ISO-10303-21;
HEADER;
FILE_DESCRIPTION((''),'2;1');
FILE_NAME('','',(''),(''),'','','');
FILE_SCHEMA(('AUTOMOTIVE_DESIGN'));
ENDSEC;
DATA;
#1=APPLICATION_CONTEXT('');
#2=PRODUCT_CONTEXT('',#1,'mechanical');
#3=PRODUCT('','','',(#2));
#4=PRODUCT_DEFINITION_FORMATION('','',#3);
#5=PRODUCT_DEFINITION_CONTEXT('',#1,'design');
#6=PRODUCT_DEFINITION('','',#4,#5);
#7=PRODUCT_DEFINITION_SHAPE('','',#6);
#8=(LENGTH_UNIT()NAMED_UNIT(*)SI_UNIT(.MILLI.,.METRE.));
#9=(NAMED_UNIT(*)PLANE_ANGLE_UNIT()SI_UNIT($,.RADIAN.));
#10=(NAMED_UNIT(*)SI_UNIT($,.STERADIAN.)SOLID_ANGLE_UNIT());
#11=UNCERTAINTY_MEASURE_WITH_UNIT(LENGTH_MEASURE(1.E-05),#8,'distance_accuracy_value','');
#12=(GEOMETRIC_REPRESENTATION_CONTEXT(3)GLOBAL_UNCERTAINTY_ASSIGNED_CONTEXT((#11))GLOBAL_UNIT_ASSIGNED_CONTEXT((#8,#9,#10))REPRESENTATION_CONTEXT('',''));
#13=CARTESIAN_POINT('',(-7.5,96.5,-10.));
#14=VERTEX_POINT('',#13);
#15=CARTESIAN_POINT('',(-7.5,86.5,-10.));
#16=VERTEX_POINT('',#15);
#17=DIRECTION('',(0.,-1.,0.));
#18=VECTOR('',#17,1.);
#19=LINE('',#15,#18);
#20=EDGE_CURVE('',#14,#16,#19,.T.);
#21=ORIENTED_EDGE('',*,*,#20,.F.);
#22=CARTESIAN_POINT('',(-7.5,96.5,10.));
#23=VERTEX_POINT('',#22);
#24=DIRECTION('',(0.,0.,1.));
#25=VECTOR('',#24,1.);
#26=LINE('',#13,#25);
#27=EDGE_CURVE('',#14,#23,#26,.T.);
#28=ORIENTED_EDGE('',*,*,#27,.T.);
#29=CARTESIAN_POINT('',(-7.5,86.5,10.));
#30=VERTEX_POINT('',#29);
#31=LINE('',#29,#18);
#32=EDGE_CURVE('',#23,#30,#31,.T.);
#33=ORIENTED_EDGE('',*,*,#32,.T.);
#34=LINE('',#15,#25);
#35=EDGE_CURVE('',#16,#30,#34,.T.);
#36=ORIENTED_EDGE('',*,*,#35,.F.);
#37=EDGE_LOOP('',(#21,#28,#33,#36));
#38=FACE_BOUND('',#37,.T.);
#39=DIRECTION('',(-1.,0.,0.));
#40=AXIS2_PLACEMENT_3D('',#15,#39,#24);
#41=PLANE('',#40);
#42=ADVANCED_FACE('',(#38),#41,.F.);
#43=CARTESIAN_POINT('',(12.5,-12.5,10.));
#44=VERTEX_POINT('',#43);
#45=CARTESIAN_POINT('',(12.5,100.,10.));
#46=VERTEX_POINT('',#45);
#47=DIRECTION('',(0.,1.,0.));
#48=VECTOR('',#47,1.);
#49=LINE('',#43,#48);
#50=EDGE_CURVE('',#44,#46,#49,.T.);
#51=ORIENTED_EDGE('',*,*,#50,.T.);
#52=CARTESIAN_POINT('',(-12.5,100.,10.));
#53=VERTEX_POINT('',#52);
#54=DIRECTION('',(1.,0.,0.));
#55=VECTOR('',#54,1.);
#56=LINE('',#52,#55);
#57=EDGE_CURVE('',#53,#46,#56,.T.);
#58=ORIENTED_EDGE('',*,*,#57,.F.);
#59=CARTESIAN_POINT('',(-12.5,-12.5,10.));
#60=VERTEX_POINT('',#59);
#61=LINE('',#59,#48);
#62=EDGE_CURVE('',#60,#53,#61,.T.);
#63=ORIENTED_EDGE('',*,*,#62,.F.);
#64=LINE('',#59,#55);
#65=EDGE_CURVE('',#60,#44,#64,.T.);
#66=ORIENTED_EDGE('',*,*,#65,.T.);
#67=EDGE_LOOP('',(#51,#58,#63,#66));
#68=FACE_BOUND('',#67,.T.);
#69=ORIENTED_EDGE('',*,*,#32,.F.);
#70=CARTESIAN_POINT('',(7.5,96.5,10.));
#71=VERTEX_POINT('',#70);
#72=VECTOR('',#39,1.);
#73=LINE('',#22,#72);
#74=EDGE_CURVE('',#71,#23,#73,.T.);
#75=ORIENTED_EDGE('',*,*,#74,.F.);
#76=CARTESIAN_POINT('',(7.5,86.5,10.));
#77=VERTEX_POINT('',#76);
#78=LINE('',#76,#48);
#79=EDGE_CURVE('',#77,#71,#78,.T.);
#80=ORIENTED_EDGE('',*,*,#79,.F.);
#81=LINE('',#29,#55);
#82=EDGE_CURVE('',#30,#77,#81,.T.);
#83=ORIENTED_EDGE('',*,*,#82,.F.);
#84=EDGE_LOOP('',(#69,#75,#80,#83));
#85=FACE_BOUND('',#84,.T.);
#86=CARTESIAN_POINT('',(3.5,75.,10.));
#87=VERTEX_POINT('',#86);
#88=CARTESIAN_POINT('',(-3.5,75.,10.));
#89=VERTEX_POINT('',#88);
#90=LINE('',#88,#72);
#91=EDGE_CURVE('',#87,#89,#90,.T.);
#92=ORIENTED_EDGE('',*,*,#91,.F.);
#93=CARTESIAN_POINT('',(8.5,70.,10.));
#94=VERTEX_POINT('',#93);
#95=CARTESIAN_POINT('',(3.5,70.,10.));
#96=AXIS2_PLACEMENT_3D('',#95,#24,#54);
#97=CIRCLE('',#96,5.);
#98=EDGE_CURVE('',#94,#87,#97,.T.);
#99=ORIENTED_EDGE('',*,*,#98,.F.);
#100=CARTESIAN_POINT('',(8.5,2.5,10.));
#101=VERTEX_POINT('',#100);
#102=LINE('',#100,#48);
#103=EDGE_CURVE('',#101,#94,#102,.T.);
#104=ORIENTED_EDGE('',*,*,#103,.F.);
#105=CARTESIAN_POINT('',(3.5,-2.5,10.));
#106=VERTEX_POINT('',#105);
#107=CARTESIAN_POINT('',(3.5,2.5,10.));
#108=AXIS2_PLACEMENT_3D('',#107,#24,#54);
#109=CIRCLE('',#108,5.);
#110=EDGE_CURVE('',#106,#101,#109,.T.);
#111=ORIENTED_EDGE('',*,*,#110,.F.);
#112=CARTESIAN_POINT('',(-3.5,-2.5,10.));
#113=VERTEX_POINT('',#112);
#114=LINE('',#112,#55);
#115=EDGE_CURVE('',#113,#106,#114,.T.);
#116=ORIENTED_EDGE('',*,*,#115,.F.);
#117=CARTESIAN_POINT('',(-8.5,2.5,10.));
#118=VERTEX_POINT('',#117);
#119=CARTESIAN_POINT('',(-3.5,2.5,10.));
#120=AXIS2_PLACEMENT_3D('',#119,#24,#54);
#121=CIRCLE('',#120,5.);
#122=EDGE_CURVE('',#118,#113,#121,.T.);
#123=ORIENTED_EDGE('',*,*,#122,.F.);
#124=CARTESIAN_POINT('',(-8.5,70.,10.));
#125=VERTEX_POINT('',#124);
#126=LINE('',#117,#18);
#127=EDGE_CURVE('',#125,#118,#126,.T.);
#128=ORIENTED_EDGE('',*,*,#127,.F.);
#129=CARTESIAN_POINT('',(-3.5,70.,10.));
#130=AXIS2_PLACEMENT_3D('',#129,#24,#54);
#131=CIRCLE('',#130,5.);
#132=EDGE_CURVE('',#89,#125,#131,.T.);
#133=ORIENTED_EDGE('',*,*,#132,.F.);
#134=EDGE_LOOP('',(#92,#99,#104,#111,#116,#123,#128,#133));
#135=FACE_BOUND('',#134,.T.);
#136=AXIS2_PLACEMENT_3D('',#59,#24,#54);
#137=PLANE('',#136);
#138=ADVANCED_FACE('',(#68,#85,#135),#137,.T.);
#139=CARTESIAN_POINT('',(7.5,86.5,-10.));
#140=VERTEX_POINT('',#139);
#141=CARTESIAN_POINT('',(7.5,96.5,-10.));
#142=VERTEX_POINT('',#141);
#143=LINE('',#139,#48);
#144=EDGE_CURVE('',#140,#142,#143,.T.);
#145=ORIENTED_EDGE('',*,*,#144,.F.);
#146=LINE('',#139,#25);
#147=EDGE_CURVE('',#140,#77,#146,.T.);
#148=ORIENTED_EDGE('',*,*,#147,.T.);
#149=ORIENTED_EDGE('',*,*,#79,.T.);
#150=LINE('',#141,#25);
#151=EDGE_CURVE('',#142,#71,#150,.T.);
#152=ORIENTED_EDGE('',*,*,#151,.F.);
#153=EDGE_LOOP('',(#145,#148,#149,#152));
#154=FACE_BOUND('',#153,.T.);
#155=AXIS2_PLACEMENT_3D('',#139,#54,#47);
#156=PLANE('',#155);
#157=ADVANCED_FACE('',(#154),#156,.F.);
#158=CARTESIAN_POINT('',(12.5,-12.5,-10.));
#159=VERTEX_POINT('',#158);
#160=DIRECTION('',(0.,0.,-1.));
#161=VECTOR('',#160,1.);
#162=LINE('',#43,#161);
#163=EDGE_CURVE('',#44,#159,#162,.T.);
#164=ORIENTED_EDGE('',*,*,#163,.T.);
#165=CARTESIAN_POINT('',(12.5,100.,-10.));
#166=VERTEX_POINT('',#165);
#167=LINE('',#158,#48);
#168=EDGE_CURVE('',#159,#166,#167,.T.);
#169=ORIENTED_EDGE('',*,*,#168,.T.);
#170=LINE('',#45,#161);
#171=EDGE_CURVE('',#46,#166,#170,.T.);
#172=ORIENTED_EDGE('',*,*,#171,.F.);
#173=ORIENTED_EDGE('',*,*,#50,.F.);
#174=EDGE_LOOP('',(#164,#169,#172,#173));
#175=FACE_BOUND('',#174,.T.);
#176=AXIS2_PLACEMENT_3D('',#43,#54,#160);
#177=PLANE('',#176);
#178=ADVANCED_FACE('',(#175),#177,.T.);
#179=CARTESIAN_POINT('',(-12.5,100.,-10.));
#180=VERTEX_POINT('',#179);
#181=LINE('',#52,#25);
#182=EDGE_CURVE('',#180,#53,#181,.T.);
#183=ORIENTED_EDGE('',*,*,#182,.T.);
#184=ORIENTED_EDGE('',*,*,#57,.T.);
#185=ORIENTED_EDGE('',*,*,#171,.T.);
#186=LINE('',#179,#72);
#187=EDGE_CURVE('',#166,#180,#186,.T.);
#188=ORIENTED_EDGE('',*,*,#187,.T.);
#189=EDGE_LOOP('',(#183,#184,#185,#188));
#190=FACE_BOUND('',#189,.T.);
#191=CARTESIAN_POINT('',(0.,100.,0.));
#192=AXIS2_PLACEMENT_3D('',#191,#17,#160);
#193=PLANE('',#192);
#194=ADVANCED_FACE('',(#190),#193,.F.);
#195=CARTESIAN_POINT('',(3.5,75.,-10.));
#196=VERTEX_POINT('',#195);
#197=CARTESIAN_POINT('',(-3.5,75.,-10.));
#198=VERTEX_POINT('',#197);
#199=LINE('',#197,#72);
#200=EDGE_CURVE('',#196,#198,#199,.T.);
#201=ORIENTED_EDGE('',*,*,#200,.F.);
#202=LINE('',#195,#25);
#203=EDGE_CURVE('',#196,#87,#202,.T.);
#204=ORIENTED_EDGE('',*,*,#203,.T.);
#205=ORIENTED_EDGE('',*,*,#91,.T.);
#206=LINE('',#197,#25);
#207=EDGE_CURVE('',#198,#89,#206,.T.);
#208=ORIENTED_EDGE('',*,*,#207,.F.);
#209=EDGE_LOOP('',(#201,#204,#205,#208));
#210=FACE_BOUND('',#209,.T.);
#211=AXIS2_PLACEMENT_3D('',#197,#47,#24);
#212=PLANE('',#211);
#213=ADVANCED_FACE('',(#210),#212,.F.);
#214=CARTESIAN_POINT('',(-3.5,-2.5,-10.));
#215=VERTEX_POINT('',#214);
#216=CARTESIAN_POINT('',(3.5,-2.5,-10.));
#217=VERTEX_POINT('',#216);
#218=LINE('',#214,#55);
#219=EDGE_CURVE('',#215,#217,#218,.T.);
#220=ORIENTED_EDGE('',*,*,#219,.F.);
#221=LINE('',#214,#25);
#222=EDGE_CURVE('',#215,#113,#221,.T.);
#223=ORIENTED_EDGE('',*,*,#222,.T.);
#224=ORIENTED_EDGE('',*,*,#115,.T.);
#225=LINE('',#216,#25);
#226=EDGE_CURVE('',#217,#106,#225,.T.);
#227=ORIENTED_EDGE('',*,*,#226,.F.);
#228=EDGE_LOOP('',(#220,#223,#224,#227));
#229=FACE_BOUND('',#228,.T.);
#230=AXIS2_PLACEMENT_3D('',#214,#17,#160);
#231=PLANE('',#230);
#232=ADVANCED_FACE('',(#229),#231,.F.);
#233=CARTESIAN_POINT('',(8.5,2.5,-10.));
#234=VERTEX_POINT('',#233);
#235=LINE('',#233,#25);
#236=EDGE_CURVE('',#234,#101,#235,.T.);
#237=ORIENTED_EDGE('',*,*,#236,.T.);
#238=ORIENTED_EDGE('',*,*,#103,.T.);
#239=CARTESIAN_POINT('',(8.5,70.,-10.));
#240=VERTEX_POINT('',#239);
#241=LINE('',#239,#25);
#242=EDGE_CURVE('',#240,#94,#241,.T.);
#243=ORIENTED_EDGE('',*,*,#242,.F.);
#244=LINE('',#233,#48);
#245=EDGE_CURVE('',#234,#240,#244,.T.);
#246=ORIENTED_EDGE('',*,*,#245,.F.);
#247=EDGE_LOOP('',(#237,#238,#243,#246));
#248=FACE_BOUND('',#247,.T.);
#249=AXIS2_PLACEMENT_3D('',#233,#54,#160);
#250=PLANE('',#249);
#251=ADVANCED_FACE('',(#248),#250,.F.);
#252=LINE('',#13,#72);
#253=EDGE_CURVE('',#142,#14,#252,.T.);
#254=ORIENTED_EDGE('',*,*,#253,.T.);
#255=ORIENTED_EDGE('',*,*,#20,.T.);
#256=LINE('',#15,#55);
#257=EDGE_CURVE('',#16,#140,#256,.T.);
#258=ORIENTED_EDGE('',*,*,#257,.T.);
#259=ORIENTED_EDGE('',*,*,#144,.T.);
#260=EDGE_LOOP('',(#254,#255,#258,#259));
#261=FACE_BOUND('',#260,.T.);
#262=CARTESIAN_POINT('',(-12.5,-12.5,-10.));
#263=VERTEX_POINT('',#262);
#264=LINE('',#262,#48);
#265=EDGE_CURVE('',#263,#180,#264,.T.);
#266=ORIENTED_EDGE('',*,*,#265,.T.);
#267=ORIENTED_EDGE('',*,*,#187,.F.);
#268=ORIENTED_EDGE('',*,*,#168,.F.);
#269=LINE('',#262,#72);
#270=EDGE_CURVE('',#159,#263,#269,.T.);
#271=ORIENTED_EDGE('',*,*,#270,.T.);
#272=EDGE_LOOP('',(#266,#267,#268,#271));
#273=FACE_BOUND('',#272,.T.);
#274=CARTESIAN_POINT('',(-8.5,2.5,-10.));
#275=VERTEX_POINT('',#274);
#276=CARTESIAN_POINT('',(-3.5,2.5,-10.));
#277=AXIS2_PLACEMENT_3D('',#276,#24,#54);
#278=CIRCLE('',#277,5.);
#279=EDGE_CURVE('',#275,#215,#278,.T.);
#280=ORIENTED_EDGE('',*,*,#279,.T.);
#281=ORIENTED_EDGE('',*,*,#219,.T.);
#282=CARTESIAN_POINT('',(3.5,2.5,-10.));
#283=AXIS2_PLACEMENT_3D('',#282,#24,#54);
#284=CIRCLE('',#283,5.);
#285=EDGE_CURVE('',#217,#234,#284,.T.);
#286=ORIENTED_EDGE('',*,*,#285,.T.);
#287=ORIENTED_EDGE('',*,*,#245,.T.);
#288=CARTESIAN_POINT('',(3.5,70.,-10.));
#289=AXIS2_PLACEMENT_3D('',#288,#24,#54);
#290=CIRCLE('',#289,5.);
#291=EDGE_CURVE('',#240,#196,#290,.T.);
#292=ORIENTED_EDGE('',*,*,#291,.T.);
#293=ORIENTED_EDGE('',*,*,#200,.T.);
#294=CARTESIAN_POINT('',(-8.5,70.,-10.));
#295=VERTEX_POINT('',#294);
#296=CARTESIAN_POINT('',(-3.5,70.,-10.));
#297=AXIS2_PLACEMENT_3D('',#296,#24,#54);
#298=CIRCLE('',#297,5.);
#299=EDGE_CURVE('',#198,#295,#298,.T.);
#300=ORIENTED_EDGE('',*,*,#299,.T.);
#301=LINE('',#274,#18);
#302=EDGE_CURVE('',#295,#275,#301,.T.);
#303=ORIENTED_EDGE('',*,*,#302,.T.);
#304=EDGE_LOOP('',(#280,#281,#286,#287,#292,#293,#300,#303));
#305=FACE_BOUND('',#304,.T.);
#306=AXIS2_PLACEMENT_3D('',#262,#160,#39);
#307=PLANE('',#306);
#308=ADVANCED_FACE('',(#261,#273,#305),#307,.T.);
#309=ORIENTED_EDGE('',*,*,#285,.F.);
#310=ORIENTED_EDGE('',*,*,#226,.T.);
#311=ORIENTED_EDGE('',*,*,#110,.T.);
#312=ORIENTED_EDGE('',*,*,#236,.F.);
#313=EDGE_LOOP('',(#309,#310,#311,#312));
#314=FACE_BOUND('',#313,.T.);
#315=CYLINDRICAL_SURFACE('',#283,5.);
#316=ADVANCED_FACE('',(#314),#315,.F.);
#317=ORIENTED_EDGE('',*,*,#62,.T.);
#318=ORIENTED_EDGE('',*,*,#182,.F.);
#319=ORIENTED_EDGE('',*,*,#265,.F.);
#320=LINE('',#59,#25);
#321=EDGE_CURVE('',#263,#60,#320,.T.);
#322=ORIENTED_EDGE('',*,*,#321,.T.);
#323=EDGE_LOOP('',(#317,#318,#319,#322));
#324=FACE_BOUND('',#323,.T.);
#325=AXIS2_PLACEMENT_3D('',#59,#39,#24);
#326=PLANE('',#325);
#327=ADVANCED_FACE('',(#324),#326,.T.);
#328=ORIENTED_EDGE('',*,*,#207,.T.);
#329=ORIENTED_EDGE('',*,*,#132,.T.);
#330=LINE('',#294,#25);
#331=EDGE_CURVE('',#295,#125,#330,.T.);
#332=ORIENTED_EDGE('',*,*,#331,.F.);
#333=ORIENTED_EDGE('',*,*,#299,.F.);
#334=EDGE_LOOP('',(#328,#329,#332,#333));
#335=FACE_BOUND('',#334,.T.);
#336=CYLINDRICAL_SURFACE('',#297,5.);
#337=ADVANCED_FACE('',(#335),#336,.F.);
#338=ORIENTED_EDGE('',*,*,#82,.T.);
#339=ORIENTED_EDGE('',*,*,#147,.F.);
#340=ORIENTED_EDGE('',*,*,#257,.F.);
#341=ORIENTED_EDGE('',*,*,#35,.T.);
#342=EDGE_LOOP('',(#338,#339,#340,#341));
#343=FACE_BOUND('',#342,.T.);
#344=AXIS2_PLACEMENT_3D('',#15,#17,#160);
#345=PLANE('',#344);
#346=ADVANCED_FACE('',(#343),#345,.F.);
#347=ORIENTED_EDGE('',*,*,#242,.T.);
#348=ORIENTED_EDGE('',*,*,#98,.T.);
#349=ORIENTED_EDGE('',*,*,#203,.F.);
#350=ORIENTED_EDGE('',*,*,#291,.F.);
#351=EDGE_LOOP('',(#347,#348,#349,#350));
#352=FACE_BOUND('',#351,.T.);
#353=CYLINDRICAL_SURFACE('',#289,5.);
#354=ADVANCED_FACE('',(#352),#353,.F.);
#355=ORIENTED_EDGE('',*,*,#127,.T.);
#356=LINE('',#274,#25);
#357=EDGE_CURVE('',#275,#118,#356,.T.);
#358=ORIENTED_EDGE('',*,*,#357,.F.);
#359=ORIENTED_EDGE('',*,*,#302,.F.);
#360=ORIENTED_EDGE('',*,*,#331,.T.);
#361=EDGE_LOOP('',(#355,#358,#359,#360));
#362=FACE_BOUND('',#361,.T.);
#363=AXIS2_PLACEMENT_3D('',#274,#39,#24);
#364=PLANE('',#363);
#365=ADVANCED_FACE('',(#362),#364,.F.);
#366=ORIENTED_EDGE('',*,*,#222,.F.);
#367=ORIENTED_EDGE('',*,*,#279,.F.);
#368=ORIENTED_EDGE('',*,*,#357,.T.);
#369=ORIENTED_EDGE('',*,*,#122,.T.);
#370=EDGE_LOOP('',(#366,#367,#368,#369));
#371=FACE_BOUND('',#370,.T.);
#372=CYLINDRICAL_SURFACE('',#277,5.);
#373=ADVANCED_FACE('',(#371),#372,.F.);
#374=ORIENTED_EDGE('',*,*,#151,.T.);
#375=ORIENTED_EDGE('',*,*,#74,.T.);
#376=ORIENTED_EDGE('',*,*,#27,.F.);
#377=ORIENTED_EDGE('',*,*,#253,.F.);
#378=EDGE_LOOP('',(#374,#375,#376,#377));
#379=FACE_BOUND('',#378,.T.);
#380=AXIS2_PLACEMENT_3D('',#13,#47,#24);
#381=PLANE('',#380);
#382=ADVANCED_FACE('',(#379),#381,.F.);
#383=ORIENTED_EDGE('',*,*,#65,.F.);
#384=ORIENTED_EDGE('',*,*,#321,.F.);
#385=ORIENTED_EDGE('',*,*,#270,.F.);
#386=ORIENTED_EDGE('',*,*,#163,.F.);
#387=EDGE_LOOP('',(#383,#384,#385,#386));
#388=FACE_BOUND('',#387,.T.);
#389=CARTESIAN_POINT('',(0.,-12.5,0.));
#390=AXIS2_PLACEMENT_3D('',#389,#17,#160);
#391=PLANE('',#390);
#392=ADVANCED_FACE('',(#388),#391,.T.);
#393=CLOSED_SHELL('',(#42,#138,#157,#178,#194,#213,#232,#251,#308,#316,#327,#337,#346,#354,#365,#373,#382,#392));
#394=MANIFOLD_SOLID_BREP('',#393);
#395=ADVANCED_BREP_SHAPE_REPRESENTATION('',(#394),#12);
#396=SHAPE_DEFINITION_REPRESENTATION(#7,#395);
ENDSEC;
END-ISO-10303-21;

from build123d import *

# Parameters (mm, degrees)
BOSS_EXTRUDE1_DEPTH      = 100
BOSS_EXTRUDE1_DEPTH_BACK = 12.5
SKETCH1_W                = 25
SKETCH1_H                = 20
SKETCH2_W                = 15
SKETCH2_H                = 10
CUT_EXTRUDE1_DEPTH       = 103.74361294
CUT_EXTRUDE2_DEPTH       = 103.74361294


with BuildPart() as part:
    # Sketch1 → Boss-Extrude1 (new, two sides: drawn at the far end of the back side and taken through both)
    with BuildSketch(Plane(origin=(0, 0, 0), x_dir=(1, 0, 0), z_dir=(0, 1, 0)).offset(-BOSS_EXTRUDE1_DEPTH_BACK)):
        Rectangle(SKETCH1_W, SKETCH1_H)
    extrude(amount=BOSS_EXTRUDE1_DEPTH + BOSS_EXTRUDE1_DEPTH_BACK)

    # Sketch2 → Cut-Extrude1 (cut, through all)
    with BuildSketch(Plane.XY.offset(10)):
        with Locations((0, 91.5)):
            Rectangle(SKETCH2_W, SKETCH2_H)
    extrude(amount=-CUT_EXTRUDE1_DEPTH, mode=Mode.SUBTRACT)

    # Sketch3 → Cut-Extrude2 (cut, through all)
    with BuildSketch(Plane.XY.offset(10)):
        with BuildLine():
            Line((-3.5, -2.5), (3.5, -2.5))
            ThreePointArc((3.5, -2.5), (7.035533906, -1.035533906), (8.5, 2.5))
            Line((8.5, 2.5), (8.5, 70))
            ThreePointArc((8.5, 70), (7.035533906, 73.535533906), (3.5, 75))
            Line((3.5, 75), (-3.5, 75))
            ThreePointArc((-3.5, 75), (-7.035533906, 73.535533906), (-8.5, 70))
            Line((-8.5, 70), (-8.5, 2.5))
            ThreePointArc((-8.5, 2.5), (-7.035533906, -1.035533906), (-3.5, -2.5))
        make_face()
    extrude(amount=-CUT_EXTRUDE2_DEPTH, mode=Mode.SUBTRACT)


solid = part.part
